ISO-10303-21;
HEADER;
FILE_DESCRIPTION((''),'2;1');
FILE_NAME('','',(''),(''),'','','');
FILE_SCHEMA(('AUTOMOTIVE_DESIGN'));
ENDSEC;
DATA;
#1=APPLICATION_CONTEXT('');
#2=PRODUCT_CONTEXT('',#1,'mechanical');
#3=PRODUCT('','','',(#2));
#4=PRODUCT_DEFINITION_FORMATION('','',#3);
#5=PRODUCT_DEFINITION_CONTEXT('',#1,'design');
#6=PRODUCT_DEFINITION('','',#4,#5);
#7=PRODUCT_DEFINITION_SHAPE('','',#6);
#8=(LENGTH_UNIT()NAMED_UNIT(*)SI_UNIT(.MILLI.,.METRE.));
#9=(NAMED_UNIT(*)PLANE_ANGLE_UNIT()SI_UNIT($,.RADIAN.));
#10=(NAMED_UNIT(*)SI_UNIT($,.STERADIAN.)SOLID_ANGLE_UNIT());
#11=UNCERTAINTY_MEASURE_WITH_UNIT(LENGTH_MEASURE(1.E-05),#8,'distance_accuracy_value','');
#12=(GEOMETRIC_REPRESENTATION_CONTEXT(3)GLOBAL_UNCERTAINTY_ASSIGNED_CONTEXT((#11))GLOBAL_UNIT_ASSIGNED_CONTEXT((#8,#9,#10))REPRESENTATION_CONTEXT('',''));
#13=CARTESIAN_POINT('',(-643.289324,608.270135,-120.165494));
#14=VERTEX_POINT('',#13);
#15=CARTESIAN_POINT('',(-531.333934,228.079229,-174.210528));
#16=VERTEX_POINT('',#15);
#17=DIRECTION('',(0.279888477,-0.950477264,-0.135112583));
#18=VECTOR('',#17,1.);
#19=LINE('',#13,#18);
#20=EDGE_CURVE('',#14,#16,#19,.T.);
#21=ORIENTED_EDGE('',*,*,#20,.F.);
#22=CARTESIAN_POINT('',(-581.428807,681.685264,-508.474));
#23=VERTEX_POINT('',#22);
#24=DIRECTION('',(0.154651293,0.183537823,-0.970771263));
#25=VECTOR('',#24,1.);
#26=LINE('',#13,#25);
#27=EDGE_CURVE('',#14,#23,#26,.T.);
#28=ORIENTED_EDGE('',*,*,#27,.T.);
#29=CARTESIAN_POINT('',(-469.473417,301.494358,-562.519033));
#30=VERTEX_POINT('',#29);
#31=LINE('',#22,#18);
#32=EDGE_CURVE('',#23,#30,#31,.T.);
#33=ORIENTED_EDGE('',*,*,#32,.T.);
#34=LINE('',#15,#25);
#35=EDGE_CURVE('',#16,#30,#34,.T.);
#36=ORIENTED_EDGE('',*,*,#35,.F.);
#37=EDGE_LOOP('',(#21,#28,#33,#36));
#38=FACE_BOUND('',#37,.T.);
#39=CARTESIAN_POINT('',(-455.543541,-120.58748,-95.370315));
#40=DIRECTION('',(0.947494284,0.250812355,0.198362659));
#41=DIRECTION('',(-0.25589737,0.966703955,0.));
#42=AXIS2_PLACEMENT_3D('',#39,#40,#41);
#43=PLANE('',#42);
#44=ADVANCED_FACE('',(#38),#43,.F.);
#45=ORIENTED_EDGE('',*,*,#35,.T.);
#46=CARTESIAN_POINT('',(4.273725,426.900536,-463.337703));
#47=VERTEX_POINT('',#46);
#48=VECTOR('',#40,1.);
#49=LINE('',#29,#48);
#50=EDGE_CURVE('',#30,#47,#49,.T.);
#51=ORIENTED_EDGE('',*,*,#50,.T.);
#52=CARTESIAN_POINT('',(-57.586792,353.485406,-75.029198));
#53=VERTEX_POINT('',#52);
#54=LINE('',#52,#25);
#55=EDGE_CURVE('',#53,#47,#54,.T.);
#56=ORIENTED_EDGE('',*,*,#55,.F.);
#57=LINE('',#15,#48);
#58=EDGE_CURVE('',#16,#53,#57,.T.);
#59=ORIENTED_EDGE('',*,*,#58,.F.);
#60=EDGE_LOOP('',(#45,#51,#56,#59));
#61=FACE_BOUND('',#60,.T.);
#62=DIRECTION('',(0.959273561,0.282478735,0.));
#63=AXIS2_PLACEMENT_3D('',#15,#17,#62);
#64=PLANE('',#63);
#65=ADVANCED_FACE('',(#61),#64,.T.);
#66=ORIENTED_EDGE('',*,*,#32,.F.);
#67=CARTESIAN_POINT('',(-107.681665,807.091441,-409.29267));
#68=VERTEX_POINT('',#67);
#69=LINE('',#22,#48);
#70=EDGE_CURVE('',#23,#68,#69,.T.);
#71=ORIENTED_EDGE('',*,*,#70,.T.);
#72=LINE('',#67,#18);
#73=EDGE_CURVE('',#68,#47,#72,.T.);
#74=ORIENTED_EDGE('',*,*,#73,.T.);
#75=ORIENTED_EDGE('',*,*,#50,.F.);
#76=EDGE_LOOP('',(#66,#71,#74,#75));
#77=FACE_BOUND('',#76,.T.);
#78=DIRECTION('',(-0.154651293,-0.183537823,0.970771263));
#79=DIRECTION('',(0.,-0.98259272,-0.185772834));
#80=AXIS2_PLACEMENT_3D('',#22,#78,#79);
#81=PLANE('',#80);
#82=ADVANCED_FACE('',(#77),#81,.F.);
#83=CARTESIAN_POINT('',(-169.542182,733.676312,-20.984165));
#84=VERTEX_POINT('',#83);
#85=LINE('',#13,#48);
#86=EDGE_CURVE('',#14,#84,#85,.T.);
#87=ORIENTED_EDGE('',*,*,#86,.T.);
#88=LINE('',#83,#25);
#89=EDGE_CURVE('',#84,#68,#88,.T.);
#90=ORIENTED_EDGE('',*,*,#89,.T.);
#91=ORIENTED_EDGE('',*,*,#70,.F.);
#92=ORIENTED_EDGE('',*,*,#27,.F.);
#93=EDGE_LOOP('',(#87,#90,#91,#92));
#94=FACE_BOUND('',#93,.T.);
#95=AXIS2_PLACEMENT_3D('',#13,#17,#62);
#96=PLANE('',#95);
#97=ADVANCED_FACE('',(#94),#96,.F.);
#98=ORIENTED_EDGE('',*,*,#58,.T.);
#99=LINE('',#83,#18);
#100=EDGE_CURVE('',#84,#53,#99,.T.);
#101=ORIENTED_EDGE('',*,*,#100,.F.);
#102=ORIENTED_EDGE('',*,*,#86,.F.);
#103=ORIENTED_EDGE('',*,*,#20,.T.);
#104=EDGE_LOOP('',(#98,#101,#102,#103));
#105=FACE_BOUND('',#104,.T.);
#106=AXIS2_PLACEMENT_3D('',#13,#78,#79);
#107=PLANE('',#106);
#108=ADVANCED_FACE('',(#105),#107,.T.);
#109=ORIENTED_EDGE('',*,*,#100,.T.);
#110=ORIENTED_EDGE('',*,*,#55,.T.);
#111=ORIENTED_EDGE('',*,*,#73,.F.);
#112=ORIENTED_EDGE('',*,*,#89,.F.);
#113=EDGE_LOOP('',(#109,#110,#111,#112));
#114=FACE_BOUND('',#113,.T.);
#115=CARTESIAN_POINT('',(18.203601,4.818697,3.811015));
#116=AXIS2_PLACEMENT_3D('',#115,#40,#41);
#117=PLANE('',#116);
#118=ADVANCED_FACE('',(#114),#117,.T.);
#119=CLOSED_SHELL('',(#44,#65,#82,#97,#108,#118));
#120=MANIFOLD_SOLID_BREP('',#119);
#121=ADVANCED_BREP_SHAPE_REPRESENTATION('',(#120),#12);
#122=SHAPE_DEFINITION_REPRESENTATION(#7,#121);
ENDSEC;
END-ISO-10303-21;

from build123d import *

# Parameters (mm, degrees)
SKETCH_1_W      = 400
SKETCH_1_H      = 400
EXTRUDE_1_DEPTH = 500


with BuildPart() as part:
    # Эскиз1 → Бобышка-Вытянуть1 (new body)
    with BuildSketch(Plane(origin=(-58.634542877, 370.763134802, -91.870721995), x_dir=(0.27988847689623686, -0.9504772644957356, -0.13511258334221965), z_dir=(0.9474942839625831, 0.2508123545437093, 0.19836265945603984))):
        with Locations((-185.56016026, 180.64165195)):
            Rectangle(SKETCH_1_W, SKETCH_1_H)
    extrude(amount=-EXTRUDE_1_DEPTH)


solid = part.part
